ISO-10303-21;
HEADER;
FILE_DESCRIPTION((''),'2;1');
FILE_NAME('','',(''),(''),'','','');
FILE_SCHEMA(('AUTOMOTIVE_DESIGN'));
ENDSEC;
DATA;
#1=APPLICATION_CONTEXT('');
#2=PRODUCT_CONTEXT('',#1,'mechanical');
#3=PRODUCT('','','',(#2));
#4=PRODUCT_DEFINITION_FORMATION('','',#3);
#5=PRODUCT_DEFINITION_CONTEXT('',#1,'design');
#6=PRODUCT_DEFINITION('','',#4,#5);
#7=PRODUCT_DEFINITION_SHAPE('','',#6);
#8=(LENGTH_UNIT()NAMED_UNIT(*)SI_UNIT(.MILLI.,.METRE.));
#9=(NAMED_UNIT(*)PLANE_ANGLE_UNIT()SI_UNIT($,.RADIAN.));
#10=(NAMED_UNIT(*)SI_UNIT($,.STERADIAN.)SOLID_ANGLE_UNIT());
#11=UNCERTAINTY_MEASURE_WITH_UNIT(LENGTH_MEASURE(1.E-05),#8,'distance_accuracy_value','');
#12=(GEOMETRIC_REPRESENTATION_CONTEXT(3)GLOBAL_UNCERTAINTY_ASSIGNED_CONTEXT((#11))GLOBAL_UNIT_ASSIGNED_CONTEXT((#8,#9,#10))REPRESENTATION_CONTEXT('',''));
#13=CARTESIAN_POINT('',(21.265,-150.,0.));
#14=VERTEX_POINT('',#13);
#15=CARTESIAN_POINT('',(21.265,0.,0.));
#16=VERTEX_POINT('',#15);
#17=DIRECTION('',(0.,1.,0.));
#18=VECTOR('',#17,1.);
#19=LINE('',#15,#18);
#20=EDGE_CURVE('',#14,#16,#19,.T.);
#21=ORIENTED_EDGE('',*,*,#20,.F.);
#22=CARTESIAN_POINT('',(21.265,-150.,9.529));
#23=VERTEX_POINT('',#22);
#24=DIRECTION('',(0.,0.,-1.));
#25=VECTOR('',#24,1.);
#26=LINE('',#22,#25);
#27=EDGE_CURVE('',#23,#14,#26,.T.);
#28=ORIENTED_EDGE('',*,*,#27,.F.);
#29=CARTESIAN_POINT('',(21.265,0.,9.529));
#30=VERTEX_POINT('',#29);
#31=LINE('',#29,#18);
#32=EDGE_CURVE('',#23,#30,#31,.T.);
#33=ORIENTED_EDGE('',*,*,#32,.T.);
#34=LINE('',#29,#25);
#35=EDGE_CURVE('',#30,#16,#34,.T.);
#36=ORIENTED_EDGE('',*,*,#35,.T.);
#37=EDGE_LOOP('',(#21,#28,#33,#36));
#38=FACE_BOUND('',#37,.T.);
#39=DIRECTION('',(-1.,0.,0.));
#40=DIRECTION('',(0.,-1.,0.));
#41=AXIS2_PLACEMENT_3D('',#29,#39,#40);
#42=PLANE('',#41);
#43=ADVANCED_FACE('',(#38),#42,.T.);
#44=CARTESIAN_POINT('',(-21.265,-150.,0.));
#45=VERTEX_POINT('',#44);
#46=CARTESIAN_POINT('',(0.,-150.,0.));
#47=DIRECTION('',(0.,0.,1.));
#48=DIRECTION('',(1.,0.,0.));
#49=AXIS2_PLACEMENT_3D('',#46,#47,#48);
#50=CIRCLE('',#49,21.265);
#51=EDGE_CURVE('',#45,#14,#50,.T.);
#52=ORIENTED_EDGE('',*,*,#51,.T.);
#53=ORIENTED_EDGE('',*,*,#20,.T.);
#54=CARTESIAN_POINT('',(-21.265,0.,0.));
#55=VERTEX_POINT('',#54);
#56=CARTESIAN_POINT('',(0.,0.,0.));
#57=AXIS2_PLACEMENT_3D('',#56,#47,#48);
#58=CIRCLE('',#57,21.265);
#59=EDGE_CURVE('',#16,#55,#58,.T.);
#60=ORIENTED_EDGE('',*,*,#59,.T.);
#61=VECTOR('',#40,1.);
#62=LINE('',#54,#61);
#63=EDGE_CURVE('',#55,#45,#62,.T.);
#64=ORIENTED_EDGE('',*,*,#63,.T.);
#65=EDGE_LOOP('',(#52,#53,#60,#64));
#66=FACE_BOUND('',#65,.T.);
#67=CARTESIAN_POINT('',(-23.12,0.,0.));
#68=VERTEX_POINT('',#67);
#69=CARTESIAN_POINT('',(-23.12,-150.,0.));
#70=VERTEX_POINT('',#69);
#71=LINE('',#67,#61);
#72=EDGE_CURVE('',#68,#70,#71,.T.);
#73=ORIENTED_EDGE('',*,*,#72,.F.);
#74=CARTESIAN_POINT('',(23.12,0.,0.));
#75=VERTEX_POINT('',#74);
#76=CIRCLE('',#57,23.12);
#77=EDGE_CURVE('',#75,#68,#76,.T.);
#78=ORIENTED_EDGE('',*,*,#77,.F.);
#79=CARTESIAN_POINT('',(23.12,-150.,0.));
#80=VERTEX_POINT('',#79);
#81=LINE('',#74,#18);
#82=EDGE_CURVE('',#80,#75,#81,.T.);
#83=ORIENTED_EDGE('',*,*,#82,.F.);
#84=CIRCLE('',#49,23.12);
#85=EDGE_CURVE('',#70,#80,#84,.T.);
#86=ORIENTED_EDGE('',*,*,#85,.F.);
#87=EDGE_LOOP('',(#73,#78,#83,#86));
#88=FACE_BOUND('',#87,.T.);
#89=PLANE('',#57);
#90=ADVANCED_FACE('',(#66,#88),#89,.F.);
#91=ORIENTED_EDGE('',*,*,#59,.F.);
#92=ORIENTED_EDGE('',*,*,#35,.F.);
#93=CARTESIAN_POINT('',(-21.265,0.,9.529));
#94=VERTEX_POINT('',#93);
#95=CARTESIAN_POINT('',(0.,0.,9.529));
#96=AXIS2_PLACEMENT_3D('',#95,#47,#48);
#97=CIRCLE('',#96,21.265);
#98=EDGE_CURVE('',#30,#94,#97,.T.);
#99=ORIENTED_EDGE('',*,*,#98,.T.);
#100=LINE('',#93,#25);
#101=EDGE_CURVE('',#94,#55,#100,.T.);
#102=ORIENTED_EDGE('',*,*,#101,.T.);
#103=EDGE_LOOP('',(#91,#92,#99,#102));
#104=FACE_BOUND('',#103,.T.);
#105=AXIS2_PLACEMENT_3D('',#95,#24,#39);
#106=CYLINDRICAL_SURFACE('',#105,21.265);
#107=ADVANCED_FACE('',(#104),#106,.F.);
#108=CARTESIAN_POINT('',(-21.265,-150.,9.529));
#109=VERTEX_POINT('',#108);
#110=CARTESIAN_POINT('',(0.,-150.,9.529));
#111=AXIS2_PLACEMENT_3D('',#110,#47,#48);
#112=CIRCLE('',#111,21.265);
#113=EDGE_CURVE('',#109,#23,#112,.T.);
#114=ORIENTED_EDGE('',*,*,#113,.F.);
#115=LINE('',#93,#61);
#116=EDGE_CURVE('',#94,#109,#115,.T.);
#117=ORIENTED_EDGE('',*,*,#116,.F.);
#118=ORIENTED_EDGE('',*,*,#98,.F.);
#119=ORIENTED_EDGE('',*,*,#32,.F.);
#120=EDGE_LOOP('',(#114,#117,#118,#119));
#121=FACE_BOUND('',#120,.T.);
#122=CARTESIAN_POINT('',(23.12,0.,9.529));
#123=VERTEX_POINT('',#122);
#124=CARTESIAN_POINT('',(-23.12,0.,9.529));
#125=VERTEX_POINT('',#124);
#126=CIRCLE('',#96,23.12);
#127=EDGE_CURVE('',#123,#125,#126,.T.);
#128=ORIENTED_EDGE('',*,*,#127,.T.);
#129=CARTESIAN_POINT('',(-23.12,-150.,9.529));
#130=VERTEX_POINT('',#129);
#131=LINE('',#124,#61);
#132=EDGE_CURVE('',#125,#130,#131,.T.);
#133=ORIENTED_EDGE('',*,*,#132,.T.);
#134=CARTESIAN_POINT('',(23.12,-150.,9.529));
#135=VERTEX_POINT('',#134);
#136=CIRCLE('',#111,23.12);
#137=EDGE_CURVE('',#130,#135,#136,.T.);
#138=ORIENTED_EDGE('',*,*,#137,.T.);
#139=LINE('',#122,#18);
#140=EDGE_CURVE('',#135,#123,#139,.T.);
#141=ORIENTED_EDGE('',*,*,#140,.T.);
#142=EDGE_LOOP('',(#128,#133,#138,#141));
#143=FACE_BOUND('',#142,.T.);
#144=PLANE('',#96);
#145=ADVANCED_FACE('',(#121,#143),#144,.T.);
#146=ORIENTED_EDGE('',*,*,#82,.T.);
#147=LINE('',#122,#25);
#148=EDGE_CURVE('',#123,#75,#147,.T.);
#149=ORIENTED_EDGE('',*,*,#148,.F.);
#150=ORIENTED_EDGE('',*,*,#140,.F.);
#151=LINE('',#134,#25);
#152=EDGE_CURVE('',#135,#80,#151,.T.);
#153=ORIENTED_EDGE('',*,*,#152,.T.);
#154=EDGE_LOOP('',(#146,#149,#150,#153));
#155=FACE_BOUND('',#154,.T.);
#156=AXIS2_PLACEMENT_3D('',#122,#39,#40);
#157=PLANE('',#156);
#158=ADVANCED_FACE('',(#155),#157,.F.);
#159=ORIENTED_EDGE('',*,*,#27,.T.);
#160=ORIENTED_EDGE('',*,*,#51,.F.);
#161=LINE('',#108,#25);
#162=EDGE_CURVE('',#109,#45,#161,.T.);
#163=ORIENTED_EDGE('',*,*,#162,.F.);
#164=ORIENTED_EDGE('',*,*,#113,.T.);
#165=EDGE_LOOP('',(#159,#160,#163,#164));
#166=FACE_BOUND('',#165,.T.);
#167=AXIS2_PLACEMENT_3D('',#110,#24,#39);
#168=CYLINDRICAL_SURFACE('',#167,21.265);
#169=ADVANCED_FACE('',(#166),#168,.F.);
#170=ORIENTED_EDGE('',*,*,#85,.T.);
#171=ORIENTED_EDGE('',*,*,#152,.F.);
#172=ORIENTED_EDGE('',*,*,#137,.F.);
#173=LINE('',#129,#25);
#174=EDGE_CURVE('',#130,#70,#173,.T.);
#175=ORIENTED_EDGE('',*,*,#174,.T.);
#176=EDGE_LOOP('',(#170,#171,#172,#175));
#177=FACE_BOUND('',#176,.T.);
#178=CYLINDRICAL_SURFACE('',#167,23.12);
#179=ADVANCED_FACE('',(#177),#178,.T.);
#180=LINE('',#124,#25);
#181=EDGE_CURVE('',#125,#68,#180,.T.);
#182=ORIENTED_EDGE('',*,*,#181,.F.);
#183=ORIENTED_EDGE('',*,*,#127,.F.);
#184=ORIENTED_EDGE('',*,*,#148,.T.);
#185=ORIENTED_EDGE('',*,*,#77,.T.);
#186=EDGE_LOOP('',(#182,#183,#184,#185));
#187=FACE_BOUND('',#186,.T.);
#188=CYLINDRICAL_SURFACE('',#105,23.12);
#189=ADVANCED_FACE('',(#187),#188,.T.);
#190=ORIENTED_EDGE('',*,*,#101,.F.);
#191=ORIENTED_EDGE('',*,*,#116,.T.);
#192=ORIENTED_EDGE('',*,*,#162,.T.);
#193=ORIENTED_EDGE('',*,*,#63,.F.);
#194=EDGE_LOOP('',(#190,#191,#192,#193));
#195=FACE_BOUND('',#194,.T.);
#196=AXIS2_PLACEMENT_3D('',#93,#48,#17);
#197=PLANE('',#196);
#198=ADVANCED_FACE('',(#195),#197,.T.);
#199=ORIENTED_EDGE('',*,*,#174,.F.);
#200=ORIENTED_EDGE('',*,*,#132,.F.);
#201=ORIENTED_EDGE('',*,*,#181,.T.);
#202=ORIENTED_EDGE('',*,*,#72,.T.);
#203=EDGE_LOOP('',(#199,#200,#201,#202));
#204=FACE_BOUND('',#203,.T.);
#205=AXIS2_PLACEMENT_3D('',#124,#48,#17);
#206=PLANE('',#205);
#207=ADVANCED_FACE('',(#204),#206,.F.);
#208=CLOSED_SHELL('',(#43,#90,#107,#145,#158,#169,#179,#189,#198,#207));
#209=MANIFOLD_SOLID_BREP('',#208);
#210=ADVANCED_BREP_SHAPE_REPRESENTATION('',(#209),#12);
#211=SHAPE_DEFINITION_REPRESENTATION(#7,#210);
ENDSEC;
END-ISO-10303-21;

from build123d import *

# Parameters (mm, degrees)
EXTRUDE_5_DEPTH = 9.529


with BuildPart() as part:
    # 草图1 → 凸台-拉伸5 (new body)
    with BuildSketch(Plane.XY):
        with BuildLine():
            Line((-23.12, 0), (-23.12, -150))
            ThreePointArc((-23.12, -150), (0, -173.12), (23.12, -150))
            Line((23.12, -150), (23.12, 0))
            ThreePointArc((23.12, 0), (0, 23.12), (-23.12, 0))
        make_face()
        with BuildLine():
            Line((-21.265, 0), (-21.265, -150))
            ThreePointArc((-21.265, -150), (0, -171.265), (21.265, -150))
            Line((21.265, -150), (21.265, 0))
            ThreePointArc((21.265, 0), (0, 21.265), (-21.265, 0))
        make_face(mode=Mode.SUBTRACT)
    extrude(amount=EXTRUDE_5_DEPTH)


solid = part.part
